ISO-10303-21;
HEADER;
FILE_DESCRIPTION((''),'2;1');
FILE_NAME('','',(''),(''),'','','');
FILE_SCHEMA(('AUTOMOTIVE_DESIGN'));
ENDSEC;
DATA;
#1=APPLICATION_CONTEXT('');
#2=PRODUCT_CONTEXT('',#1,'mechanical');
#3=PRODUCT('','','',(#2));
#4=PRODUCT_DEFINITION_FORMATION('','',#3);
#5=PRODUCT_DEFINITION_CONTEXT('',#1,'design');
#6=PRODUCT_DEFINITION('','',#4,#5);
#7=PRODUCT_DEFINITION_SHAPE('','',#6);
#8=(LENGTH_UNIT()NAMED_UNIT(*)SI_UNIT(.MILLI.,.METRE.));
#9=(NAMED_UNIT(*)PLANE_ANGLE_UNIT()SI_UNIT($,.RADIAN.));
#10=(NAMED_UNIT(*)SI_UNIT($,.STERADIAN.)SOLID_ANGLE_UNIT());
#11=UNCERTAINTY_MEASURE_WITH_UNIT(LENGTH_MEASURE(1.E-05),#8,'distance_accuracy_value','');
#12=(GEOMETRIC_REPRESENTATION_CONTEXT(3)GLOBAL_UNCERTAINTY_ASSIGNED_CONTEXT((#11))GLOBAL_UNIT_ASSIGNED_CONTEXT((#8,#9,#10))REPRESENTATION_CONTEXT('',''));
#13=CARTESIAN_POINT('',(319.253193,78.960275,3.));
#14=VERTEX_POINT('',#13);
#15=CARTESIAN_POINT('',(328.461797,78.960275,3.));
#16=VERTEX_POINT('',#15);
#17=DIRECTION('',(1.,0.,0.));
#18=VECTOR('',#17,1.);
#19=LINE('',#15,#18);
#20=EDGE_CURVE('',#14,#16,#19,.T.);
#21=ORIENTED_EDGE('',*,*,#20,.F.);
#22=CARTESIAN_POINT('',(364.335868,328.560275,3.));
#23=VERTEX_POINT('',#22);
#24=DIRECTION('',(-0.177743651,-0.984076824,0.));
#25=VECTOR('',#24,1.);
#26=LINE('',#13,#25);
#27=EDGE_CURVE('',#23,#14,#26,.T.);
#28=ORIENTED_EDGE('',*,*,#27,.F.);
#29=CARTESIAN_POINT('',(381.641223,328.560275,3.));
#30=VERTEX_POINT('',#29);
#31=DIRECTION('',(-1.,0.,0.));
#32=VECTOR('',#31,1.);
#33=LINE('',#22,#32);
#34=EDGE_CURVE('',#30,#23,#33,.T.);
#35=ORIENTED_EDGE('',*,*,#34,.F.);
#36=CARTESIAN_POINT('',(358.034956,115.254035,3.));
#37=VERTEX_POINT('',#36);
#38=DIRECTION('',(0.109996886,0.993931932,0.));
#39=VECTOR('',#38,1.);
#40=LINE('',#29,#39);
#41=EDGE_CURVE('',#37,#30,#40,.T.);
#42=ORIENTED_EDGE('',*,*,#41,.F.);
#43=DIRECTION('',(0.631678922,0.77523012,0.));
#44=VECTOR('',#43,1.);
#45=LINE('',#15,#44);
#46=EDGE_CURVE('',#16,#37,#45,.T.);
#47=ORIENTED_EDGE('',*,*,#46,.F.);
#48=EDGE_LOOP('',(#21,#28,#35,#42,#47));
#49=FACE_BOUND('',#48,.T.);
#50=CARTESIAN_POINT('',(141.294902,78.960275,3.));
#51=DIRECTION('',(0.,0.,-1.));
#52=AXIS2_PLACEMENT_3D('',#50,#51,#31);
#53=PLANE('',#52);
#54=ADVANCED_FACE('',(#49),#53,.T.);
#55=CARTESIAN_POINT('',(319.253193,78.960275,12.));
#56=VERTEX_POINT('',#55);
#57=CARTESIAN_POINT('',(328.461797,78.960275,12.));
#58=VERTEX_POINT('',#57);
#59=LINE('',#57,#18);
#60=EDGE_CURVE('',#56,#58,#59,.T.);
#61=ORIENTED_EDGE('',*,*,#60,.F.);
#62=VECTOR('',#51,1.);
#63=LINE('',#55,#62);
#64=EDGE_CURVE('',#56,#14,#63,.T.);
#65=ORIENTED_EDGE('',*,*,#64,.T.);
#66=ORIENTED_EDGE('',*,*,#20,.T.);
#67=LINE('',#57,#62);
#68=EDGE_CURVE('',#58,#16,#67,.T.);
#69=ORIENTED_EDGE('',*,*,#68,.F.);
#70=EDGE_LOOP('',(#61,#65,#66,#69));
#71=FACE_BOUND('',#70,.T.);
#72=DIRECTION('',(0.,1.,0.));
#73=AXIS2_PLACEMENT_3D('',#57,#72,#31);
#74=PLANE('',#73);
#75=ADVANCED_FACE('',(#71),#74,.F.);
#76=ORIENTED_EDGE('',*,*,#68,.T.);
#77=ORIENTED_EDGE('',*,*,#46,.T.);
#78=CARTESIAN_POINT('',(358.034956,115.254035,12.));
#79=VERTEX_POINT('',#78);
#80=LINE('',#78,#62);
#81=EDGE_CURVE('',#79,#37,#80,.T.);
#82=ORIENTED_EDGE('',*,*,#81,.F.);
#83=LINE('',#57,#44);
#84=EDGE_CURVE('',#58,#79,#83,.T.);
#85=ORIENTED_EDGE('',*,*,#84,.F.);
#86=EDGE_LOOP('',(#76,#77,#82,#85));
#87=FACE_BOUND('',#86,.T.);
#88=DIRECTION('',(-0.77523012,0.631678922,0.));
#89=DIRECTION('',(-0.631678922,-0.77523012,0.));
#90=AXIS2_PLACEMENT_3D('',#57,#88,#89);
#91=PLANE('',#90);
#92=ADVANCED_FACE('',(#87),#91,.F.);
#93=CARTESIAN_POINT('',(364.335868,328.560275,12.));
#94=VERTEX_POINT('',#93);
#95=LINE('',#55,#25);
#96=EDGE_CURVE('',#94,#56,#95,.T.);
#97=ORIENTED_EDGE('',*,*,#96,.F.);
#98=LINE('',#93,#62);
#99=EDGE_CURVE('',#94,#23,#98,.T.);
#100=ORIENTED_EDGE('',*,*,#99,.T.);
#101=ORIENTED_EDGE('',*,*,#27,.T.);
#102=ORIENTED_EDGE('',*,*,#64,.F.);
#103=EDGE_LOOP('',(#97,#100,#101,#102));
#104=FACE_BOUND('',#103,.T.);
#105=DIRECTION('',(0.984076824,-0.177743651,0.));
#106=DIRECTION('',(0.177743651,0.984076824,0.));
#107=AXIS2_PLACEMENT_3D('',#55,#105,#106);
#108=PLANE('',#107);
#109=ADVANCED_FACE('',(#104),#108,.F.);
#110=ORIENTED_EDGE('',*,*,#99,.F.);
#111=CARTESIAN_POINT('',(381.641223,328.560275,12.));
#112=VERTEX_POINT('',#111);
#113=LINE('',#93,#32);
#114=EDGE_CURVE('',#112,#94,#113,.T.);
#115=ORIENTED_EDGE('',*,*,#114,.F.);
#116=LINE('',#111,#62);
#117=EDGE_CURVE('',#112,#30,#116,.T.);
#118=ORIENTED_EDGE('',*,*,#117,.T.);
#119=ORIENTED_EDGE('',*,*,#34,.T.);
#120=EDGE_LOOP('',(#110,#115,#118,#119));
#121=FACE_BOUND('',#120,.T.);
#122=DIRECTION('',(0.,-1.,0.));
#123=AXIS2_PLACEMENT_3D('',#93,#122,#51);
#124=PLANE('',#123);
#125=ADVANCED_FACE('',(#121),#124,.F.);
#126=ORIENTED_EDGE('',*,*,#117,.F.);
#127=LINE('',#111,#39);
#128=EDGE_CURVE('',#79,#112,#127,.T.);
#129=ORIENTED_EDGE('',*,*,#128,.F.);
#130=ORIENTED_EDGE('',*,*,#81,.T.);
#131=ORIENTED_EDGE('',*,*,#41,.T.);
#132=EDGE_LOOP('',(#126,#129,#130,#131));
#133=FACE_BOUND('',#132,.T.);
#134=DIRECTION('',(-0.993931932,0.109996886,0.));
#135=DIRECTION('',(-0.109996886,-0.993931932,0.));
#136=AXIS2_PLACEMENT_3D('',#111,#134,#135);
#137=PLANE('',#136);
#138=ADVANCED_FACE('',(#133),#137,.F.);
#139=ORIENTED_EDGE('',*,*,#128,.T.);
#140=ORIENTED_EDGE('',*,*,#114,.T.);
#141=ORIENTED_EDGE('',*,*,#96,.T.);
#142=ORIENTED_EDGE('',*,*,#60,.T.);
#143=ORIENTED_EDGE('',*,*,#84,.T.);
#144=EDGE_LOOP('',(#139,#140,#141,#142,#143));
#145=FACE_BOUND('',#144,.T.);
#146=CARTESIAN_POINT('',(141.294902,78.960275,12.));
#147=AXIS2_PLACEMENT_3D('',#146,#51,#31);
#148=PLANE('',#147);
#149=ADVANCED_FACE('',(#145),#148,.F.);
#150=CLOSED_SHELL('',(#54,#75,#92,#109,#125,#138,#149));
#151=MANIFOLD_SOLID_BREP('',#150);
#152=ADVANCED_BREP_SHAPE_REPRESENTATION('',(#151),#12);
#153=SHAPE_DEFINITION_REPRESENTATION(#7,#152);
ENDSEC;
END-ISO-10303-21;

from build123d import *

# Parameters (mm, degrees)
BOSS_EXTRUDE1_DEPTH = 15
SCALE1_SCALE        = 0.6


with BuildPart() as part:
    # Sketch3 → Boss-Extrude1 (new body)
    with BuildSketch(Plane.XY):
        Polygon((400.577201165, 416), (361.233423479, 60.489600344), (311.944825715, 0), (296.597151769, 0), (371.734942748, 416), align=None)
    extrude(amount=BOSS_EXTRUDE1_DEPTH)


with BuildPart() as part_1:
    # Scale1: scaled about (353.237254905, 197.400686377, 7.5)
    add(part.part.scale(SCALE1_SCALE).moved(Location((141.294901962, 78.960274551, 3))))


solid = part_1.part
